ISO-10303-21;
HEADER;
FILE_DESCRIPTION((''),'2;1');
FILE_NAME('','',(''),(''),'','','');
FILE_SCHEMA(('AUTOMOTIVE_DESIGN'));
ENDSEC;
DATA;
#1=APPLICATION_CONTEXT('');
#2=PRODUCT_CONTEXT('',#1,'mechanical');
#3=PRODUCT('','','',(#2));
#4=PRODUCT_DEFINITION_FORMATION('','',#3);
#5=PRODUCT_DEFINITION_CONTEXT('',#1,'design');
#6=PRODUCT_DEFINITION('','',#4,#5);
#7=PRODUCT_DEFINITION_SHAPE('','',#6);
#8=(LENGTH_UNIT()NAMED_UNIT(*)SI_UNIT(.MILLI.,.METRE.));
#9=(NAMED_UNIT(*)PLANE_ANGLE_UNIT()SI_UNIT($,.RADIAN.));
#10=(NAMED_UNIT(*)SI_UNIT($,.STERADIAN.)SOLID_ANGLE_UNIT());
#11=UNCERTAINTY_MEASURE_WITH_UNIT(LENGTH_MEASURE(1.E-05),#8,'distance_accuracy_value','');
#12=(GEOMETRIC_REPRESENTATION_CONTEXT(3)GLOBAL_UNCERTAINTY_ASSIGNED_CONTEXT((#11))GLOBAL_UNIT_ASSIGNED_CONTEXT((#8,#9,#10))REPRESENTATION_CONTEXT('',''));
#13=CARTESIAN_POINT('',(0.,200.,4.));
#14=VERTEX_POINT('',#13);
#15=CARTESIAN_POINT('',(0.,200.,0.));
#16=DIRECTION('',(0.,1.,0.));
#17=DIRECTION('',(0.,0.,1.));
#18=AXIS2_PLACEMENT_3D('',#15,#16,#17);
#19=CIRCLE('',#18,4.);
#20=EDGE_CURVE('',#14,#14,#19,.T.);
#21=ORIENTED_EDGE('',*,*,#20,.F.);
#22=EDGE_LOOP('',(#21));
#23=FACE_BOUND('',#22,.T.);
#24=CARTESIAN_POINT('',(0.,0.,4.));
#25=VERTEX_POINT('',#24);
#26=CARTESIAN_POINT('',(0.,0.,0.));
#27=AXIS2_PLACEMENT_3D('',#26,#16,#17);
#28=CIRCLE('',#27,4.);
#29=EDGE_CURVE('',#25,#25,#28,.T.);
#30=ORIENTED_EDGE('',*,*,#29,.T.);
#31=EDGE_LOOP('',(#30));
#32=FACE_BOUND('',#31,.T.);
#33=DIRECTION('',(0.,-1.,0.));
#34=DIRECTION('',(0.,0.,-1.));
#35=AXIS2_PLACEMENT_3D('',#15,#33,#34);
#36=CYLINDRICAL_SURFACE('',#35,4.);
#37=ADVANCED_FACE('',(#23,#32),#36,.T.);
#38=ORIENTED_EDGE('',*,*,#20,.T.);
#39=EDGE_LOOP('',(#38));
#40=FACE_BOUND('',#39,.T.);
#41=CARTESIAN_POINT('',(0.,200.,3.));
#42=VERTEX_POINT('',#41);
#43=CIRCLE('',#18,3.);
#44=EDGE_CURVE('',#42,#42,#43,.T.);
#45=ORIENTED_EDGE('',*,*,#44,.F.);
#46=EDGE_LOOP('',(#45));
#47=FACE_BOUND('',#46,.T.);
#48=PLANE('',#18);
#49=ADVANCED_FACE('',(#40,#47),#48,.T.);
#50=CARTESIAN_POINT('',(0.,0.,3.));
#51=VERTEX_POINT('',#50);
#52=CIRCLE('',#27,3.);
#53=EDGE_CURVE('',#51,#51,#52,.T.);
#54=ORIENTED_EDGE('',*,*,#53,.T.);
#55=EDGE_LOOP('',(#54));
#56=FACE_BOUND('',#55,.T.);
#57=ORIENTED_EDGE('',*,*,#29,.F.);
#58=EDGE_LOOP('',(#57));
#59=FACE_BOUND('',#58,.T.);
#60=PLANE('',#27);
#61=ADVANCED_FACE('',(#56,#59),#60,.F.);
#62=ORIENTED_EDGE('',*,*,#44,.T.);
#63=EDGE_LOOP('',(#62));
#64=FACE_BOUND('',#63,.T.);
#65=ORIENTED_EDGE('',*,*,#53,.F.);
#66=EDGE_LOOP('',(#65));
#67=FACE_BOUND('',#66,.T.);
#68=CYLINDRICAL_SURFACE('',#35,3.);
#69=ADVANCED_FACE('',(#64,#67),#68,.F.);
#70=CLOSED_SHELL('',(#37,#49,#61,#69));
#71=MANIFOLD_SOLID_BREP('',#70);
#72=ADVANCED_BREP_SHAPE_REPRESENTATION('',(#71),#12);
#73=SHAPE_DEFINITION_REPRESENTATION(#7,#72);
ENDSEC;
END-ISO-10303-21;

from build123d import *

# Parameters (mm, degrees)
SKETCH_1_R      = 4
SKETCH_1_R_2    = 3
EXTRUDE_1_DEPTH = 200


with BuildPart() as part:
    # Эскиз1 → Бобышка-Вытянуть1 (new body)
    with BuildSketch(Plane(origin=(0, 0, 0), x_dir=(1, 0, 0), z_dir=(0, 1, 0))):
        Circle(SKETCH_1_R)
        Circle(SKETCH_1_R_2, mode=Mode.SUBTRACT)
    extrude(amount=EXTRUDE_1_DEPTH)


solid = part.part
